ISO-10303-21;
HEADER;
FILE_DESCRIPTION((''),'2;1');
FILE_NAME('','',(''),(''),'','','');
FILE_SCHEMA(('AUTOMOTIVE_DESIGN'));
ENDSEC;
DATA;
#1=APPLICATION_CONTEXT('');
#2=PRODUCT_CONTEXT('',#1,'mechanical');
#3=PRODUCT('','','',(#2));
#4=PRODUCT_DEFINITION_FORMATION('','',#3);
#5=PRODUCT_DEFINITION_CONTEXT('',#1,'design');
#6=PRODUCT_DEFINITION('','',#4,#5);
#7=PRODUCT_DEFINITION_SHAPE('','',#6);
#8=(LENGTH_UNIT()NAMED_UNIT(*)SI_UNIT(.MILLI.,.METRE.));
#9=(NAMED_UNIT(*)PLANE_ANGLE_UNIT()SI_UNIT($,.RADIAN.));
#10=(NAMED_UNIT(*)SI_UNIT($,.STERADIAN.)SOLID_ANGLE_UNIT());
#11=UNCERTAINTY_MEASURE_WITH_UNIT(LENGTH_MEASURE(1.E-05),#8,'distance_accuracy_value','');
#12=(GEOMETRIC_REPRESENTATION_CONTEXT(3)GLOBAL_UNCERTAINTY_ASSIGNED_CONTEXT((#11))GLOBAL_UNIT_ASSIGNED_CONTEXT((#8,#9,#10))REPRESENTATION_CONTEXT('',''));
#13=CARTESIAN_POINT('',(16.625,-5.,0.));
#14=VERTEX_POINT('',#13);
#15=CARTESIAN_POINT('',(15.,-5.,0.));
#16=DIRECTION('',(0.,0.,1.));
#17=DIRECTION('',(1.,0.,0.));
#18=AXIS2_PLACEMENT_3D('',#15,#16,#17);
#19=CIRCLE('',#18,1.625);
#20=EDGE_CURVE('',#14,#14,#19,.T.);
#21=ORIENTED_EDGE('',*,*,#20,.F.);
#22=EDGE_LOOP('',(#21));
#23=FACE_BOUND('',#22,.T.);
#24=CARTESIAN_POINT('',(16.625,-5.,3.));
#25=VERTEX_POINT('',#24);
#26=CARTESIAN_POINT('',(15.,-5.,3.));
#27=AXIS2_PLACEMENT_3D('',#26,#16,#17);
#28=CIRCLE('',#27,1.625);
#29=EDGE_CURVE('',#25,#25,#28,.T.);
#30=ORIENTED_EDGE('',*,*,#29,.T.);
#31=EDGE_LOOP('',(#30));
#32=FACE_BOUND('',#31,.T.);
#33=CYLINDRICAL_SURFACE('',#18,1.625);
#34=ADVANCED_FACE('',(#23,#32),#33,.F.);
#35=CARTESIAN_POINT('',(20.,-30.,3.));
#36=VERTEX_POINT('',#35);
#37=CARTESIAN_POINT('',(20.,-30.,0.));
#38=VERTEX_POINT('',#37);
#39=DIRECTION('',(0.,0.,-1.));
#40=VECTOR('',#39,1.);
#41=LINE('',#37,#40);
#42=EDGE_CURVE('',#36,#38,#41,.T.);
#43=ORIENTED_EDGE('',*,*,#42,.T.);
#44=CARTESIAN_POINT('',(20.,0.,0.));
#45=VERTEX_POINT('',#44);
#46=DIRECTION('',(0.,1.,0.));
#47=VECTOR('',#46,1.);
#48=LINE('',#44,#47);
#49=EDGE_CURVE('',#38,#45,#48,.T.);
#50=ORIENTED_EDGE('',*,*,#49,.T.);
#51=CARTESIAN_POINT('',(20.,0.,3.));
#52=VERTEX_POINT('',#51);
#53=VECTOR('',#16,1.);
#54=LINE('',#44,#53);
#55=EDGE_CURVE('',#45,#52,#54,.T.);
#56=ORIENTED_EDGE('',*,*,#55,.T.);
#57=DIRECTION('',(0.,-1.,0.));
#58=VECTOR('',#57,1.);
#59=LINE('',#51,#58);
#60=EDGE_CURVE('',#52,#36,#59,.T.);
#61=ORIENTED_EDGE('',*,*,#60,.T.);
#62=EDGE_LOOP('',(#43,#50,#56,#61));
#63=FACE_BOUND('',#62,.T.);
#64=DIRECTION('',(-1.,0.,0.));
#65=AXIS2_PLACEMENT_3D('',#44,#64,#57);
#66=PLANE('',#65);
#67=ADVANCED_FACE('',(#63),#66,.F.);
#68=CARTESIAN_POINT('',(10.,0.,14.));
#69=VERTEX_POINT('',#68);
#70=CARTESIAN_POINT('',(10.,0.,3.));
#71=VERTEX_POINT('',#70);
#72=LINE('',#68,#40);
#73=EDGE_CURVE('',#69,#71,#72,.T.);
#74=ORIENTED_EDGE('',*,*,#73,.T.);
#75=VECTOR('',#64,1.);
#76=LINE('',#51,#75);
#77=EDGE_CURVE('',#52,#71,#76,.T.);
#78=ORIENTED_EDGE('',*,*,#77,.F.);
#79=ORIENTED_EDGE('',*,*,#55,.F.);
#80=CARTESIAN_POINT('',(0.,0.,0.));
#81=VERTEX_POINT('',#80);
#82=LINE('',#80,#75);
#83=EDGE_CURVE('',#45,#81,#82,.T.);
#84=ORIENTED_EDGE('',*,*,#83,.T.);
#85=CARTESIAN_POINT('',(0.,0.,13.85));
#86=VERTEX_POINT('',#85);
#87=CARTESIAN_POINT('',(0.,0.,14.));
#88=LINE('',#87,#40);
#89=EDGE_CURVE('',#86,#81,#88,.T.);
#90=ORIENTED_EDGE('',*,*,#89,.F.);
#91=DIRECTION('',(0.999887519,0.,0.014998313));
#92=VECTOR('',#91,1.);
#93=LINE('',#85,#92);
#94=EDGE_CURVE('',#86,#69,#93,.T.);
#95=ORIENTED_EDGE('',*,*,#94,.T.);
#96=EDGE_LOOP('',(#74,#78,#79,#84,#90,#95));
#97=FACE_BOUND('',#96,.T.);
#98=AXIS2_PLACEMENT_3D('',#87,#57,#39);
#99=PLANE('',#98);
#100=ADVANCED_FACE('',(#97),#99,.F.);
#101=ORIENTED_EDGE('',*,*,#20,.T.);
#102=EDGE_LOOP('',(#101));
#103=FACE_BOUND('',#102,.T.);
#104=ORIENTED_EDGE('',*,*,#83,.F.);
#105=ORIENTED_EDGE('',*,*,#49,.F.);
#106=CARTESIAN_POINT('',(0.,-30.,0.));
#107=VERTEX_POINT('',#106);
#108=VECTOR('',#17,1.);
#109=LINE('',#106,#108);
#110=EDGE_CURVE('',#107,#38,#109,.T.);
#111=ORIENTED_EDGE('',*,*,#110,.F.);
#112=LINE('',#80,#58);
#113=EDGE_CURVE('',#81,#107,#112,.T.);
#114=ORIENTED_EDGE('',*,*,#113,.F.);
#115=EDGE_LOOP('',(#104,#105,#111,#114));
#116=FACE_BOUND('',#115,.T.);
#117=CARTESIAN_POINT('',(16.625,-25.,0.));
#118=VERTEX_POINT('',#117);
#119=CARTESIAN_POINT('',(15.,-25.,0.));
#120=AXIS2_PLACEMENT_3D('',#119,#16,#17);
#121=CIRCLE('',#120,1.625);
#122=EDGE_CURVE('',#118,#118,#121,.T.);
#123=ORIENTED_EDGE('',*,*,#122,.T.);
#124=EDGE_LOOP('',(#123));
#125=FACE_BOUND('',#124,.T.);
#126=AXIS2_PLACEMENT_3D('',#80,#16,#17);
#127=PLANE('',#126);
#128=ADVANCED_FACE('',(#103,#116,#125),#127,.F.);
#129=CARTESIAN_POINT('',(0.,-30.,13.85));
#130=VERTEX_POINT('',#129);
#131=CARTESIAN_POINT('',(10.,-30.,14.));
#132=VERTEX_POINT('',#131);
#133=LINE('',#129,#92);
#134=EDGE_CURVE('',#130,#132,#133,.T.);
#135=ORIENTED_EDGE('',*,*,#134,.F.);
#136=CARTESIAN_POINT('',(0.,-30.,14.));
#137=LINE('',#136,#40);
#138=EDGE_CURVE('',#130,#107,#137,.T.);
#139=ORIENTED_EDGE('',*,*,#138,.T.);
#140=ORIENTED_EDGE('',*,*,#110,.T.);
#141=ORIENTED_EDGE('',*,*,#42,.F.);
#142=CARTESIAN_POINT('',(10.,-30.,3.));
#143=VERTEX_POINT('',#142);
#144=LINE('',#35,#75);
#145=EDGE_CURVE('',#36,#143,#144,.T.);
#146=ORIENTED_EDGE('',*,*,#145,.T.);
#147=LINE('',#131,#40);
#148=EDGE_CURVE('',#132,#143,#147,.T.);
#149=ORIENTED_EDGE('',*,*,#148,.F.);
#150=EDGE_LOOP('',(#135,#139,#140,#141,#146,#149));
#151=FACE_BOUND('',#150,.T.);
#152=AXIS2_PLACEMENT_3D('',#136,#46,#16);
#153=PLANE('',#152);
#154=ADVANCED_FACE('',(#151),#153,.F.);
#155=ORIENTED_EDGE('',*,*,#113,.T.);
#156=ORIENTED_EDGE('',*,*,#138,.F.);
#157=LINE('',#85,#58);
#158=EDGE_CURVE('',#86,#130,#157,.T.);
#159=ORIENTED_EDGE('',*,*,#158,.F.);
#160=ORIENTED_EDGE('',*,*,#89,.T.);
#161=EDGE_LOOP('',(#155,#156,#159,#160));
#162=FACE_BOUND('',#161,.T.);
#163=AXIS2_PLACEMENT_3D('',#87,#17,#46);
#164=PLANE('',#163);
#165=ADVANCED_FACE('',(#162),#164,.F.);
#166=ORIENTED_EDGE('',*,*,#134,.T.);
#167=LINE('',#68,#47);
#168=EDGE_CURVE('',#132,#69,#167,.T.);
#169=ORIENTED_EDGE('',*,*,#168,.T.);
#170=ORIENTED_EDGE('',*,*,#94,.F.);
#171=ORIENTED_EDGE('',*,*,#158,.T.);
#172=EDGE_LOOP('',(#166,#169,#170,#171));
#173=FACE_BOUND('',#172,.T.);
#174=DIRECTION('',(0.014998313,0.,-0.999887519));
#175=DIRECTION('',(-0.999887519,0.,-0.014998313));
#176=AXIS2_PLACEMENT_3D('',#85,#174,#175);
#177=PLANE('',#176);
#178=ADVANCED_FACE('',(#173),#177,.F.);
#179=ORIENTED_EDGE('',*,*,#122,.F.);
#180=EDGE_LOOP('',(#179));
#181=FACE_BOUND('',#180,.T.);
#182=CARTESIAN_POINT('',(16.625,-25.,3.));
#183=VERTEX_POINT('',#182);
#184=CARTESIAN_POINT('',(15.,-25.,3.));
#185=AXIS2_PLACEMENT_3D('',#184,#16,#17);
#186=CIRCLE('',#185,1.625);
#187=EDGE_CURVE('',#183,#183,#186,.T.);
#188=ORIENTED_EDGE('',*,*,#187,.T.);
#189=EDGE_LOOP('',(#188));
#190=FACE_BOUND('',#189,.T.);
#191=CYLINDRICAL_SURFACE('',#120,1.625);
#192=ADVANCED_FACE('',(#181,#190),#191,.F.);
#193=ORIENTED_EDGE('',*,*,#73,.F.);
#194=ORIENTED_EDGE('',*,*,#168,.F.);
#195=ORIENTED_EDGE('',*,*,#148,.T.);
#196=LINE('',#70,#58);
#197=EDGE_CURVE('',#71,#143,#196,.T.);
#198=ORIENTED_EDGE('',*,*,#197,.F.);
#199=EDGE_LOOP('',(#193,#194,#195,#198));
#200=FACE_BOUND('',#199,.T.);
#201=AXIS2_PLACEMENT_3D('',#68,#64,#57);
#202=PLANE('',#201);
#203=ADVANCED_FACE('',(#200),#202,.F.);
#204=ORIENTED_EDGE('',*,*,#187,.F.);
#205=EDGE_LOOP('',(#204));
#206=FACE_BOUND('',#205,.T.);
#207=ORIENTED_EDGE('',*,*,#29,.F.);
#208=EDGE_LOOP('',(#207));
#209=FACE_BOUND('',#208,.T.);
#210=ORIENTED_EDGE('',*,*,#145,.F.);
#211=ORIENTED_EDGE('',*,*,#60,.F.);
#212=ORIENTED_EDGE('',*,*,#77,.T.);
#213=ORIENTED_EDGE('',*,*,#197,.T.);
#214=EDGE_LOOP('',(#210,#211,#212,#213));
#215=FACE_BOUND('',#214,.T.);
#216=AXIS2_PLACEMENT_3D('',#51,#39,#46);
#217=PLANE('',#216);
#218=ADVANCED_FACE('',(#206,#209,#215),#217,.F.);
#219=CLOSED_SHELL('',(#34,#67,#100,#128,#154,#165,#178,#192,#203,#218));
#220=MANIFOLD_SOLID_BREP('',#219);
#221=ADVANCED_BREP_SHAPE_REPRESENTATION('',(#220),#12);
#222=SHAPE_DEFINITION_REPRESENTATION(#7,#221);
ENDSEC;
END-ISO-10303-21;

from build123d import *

# Parameters (mm, degrees)
ESQUISSE1_W             = 10
ESQUISSE1_H             = 30
BOSS_EXTRU_1_DEPTH      = 14
ESQUISSE2_W             = 3
ESQUISSE2_H             = 30
BOSS_EXTRU_2_DEPTH      = 10
ESQUISSE3_R             = 1.625
ENL_V_MAT_EXTRU_1_DEPTH = 4
ENL_V_MAT_EXTRU_2_DEPTH = 31


with BuildPart() as part:
    # Esquisse1 → Boss.-Extru.1 (new body)
    with BuildSketch(Plane.XY):
        with Locations((5, -15)):
            Rectangle(ESQUISSE1_W, ESQUISSE1_H)
    extrude(amount=BOSS_EXTRU_1_DEPTH)

    # Esquisse2 → Boss.-Extru.2 (add)
    with BuildSketch(Plane(origin=(10, 0, 0), x_dir=(0, 0, -1), z_dir=(1, 0, 0))):
        with Locations((-1.5, -15)):
            Rectangle(ESQUISSE2_W, ESQUISSE2_H)
    extrude(amount=BOSS_EXTRU_2_DEPTH)

    # Esquisse3 → Enlèv. mat.-Extru.1 (cut, through all)
    with BuildSketch(Plane.XY.offset(3)):
        with Locations((15, -5)):
            Circle(ESQUISSE3_R)
        with Locations((15, -25)):
            Circle(ESQUISSE3_R)
    extrude(amount=-ENL_V_MAT_EXTRU_1_DEPTH, mode=Mode.SUBTRACT)

    # Esquisse4 → Enlèv. mat.-Extru.2 (cut, through all)
    with BuildSketch(Plane.XZ.offset(30)):
        Polygon((10, 14), (0, 14), (0, 13.85), align=None)
    extrude(amount=-ENL_V_MAT_EXTRU_2_DEPTH, mode=Mode.SUBTRACT)


solid = part.part
